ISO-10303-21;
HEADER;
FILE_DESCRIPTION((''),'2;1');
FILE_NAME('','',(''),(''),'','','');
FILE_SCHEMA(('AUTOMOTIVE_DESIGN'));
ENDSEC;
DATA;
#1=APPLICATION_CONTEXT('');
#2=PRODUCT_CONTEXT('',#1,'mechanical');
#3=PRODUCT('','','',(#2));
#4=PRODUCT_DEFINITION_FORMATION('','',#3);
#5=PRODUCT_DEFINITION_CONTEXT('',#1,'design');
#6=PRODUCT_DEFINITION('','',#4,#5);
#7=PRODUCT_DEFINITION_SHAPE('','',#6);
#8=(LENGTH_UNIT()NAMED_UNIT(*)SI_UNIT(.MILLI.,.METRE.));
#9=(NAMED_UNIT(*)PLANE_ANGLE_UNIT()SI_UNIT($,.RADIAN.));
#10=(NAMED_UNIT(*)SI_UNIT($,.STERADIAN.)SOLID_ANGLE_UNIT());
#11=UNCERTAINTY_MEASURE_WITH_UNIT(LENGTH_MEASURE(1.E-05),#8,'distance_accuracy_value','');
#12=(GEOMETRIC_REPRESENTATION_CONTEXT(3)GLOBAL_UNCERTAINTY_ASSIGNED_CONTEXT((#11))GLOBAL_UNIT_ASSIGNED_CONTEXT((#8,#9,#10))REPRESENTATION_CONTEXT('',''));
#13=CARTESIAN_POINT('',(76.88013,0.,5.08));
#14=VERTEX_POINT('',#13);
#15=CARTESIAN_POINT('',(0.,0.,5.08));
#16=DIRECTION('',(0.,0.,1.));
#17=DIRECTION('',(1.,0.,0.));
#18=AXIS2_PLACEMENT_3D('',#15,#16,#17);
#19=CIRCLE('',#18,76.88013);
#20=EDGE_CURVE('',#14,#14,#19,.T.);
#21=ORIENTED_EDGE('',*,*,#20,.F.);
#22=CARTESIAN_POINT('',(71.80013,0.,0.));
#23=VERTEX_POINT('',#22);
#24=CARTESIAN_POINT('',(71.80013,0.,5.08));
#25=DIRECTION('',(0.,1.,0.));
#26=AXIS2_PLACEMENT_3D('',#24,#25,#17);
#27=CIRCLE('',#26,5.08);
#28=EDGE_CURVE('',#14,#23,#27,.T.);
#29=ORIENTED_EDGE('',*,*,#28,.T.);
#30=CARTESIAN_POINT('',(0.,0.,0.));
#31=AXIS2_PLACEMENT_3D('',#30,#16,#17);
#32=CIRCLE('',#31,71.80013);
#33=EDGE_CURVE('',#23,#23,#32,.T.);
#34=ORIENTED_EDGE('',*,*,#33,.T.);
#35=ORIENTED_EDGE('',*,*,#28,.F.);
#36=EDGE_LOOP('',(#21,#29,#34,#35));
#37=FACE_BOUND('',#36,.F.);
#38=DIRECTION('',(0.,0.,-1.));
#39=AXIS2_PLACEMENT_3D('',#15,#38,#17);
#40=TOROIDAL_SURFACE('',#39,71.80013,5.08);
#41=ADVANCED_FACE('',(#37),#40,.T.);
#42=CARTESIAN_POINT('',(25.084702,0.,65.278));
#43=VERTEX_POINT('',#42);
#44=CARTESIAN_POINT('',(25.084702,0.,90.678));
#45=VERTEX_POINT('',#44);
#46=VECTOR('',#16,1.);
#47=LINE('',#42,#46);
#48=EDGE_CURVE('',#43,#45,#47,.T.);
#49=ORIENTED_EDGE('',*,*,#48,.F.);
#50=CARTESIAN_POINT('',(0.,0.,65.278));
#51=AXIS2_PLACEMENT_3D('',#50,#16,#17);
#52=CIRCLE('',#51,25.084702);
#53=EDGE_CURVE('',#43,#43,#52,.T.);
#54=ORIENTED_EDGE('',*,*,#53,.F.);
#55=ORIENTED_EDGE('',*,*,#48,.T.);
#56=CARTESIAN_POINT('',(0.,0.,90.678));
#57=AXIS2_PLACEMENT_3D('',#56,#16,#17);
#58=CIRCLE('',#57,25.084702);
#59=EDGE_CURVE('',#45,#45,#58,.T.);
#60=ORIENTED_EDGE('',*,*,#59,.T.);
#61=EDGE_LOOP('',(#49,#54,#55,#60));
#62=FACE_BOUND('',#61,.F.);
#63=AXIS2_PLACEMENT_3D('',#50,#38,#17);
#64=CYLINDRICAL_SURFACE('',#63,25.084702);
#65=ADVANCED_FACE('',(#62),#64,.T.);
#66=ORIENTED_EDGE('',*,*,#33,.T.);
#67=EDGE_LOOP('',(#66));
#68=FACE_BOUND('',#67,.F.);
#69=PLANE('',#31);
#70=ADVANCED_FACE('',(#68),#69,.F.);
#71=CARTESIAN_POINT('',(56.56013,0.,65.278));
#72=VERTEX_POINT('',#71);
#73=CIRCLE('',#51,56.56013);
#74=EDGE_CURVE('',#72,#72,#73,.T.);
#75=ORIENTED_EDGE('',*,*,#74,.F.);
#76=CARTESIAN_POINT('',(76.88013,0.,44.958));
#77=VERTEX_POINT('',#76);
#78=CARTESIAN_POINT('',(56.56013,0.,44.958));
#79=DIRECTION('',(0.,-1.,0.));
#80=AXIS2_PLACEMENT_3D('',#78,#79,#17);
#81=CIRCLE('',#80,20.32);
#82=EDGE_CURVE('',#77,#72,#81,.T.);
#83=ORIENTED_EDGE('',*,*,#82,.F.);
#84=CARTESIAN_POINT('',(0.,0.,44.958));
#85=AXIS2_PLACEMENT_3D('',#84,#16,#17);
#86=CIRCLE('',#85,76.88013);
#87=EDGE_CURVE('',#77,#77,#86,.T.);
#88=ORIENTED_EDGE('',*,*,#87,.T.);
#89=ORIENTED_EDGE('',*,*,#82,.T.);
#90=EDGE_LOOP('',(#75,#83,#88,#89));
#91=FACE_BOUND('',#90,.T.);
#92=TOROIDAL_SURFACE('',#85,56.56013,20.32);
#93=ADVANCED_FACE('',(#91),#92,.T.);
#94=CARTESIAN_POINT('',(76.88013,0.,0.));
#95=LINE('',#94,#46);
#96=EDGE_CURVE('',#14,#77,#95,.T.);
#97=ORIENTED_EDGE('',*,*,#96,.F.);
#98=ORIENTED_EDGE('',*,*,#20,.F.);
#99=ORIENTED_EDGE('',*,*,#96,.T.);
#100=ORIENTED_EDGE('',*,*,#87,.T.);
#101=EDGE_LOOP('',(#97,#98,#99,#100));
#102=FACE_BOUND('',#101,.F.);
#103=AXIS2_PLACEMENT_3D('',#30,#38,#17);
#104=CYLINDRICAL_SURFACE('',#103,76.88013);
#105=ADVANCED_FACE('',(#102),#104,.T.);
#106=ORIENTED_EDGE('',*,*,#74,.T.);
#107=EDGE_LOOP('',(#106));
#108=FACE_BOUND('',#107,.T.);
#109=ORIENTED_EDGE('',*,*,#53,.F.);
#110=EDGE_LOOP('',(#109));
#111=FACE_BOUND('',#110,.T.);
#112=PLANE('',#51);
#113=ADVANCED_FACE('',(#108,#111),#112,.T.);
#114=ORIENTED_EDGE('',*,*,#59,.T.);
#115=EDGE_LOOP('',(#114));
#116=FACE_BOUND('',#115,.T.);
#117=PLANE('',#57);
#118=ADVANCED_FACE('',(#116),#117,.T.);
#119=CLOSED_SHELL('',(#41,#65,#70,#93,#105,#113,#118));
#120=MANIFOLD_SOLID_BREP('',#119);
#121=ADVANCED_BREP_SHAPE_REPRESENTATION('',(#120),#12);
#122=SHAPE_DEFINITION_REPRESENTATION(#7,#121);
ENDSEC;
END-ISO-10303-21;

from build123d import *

# Parameters (mm, degrees)
F0_R     = 76.88013
F1_DEPTH = 65.278
F2_R     = 25.084702
F3_DEPTH = 25.4
F4_R     = 5.08
F5_R     = 20.32


with BuildPart() as f1:
    # F0 (on Top) → F1 (new body)
    with BuildSketch(Plane.XY):
        Circle(F0_R)
    extrude(amount=F1_DEPTH)

    # F2 (on face) → F3 (join)
    with BuildSketch(Plane.XY.offset(65.278)):
        Circle(F2_R)
    extrude(amount=F3_DEPTH)

    # F4
    f4_edges = [f1.edges().sort_by_distance(p)[0] for p in [
        (-76.88013, 0, 0),
    ]]
    fillet(f4_edges, radius=F4_R)

    # F5
    f5_edges = [f1.edges().sort_by_distance(p)[0] for p in [
        (-76.88013, 0, 65.278),
    ]]
    fillet(f5_edges, radius=F5_R)


solid = f1.part
